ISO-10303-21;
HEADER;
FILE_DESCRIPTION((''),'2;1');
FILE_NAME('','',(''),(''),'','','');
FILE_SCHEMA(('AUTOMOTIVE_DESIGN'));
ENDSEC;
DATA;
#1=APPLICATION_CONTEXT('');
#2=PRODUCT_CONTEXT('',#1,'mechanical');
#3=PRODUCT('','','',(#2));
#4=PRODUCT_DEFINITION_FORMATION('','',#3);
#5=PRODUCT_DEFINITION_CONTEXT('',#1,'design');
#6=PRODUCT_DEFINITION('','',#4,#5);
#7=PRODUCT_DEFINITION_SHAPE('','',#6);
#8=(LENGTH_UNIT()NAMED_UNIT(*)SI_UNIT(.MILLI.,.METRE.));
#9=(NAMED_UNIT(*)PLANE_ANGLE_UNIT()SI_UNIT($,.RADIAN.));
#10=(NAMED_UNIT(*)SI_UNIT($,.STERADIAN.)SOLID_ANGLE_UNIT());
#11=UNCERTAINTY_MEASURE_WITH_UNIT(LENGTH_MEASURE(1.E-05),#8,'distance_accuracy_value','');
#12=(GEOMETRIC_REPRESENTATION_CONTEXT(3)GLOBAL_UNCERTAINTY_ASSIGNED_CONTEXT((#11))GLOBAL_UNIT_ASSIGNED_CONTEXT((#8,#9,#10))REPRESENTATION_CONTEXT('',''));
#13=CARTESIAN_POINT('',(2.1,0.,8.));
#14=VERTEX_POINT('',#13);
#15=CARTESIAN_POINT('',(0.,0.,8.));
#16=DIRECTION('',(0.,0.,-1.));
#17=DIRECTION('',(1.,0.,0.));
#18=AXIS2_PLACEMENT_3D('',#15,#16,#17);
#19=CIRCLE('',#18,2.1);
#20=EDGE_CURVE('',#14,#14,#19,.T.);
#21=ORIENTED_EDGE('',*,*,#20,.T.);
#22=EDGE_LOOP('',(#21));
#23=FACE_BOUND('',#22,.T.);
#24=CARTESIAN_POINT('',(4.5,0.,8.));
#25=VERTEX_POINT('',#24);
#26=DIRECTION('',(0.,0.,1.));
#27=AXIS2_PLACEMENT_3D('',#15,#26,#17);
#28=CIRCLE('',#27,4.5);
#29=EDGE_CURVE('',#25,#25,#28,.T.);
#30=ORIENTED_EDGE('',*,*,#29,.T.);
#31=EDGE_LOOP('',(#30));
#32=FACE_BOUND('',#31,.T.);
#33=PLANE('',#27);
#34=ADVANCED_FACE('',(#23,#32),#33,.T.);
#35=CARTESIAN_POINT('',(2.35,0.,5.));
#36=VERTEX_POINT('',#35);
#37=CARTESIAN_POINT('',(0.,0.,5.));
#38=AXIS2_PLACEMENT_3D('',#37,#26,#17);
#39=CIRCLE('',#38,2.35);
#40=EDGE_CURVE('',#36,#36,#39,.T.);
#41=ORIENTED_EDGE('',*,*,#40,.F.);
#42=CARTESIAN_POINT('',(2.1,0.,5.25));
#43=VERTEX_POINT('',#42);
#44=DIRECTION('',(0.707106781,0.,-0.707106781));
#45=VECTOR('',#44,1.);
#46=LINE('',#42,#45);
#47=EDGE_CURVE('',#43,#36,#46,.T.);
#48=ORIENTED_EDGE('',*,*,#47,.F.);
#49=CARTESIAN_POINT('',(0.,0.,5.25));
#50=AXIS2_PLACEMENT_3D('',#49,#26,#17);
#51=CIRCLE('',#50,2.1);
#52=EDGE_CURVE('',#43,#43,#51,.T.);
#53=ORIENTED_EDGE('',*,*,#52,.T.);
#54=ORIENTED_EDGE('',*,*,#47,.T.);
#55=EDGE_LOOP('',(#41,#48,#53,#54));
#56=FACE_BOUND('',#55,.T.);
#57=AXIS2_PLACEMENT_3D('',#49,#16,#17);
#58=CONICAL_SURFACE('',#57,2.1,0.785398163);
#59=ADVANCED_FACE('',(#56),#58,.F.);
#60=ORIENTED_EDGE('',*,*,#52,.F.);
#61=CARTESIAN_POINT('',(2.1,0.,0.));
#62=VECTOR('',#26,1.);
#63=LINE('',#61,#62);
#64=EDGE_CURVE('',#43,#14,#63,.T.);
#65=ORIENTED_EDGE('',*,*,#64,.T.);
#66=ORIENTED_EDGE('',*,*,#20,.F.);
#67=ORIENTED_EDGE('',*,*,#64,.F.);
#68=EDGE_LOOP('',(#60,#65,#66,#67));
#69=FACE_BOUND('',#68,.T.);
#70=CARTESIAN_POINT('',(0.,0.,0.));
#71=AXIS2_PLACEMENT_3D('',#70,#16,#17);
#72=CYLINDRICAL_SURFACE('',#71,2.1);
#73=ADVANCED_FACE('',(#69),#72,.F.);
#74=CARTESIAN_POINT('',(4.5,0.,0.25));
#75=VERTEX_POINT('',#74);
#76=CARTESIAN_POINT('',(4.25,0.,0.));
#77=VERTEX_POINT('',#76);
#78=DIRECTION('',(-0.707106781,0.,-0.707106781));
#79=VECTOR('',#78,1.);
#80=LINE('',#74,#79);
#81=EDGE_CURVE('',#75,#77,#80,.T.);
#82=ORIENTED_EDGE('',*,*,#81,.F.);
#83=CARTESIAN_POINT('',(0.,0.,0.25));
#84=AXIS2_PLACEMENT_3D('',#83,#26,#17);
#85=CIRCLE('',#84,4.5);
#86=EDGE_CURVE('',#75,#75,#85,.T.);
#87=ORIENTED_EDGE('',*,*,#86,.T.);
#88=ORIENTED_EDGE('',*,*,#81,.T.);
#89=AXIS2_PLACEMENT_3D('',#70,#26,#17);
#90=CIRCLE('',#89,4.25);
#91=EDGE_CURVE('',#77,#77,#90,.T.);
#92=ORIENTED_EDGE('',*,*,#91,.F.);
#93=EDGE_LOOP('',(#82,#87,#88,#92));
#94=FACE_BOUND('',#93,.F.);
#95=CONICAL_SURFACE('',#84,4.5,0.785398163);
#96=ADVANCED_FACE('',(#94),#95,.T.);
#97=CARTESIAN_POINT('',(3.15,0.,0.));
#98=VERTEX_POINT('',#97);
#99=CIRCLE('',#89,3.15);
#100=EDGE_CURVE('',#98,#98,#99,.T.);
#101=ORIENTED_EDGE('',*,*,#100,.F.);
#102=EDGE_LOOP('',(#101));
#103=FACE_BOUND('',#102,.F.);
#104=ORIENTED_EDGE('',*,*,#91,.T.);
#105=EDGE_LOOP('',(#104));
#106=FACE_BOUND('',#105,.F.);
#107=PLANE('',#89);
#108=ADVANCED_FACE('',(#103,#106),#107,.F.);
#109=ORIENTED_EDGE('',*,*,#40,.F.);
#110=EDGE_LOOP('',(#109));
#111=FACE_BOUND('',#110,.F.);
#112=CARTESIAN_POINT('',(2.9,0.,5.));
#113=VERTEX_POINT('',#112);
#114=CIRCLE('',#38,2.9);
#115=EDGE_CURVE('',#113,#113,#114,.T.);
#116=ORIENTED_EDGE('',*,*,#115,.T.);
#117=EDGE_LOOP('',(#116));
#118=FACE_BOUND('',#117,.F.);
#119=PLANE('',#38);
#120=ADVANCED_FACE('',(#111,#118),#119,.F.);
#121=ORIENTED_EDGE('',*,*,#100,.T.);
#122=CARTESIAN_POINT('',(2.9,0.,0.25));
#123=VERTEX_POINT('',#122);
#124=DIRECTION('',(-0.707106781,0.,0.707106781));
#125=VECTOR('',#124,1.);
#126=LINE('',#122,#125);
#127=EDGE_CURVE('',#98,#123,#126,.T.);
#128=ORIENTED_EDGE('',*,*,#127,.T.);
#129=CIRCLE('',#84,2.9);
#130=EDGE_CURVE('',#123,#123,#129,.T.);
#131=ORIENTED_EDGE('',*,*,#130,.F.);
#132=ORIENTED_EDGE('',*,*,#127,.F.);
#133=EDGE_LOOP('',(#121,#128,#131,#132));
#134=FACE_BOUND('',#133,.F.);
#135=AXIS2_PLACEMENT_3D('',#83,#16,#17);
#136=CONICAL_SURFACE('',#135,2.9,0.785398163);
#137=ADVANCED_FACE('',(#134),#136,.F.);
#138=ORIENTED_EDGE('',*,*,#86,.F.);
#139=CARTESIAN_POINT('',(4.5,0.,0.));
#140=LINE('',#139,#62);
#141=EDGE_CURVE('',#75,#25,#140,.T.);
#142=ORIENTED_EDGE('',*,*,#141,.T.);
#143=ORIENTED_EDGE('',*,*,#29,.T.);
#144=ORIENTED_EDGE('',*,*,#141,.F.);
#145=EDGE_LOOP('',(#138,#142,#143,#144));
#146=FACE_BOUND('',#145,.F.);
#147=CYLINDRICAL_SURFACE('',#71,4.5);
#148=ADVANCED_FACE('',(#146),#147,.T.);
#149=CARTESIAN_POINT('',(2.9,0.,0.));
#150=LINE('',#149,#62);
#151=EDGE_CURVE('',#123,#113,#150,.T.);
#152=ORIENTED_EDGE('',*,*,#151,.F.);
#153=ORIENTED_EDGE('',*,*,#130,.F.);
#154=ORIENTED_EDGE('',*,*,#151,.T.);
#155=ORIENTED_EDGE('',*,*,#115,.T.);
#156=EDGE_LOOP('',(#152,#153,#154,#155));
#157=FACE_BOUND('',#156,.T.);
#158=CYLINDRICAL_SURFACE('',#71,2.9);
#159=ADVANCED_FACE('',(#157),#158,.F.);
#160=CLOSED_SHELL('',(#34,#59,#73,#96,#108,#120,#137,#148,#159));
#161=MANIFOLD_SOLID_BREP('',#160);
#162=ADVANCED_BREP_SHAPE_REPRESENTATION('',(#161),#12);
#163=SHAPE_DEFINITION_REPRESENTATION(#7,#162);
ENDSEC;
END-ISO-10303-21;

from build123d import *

# Parameters (mm, degrees)
F0_R     = 4.5
F0_R_2   = 2.9
F0_R_3   = 2.1
F1_DEPTH = 8
F2_DEPTH = 8.001
F3_DEPTH = 5
F4_SIZE  = 0.25


with BuildPart() as f1:
    # F0 (on Top) → F1 (new body)
    with BuildSketch(Plane.XY):
        Circle(F0_R)
        Circle(F0_R_2, mode=Mode.SUBTRACT)
        Circle(F0_R_2)
        Circle(F0_R_3, mode=Mode.SUBTRACT)
        Circle(F0_R_3)
    extrude(amount=F1_DEPTH)

    # F0 (on Top) → F2 (cut, through all)
    with BuildSketch(Plane.XY):
        Circle(F0_R_3)
    extrude(amount=F2_DEPTH, mode=Mode.SUBTRACT)

    # F0 (on Top) → F3 (cut)
    with BuildSketch(Plane.XY):
        Circle(F0_R_2)
        Circle(F0_R_3, mode=Mode.SUBTRACT)
    extrude(amount=F3_DEPTH, mode=Mode.SUBTRACT)

    # F4
    f4_edges = [f1.edges().sort_by_distance(p)[0] for p in [
        (-2.1, 0, 5),
        (-2.9, 0, 0),
        (-4.5, 0, 0),
    ]]
    chamfer(f4_edges, length=F4_SIZE)


solid = f1.part
